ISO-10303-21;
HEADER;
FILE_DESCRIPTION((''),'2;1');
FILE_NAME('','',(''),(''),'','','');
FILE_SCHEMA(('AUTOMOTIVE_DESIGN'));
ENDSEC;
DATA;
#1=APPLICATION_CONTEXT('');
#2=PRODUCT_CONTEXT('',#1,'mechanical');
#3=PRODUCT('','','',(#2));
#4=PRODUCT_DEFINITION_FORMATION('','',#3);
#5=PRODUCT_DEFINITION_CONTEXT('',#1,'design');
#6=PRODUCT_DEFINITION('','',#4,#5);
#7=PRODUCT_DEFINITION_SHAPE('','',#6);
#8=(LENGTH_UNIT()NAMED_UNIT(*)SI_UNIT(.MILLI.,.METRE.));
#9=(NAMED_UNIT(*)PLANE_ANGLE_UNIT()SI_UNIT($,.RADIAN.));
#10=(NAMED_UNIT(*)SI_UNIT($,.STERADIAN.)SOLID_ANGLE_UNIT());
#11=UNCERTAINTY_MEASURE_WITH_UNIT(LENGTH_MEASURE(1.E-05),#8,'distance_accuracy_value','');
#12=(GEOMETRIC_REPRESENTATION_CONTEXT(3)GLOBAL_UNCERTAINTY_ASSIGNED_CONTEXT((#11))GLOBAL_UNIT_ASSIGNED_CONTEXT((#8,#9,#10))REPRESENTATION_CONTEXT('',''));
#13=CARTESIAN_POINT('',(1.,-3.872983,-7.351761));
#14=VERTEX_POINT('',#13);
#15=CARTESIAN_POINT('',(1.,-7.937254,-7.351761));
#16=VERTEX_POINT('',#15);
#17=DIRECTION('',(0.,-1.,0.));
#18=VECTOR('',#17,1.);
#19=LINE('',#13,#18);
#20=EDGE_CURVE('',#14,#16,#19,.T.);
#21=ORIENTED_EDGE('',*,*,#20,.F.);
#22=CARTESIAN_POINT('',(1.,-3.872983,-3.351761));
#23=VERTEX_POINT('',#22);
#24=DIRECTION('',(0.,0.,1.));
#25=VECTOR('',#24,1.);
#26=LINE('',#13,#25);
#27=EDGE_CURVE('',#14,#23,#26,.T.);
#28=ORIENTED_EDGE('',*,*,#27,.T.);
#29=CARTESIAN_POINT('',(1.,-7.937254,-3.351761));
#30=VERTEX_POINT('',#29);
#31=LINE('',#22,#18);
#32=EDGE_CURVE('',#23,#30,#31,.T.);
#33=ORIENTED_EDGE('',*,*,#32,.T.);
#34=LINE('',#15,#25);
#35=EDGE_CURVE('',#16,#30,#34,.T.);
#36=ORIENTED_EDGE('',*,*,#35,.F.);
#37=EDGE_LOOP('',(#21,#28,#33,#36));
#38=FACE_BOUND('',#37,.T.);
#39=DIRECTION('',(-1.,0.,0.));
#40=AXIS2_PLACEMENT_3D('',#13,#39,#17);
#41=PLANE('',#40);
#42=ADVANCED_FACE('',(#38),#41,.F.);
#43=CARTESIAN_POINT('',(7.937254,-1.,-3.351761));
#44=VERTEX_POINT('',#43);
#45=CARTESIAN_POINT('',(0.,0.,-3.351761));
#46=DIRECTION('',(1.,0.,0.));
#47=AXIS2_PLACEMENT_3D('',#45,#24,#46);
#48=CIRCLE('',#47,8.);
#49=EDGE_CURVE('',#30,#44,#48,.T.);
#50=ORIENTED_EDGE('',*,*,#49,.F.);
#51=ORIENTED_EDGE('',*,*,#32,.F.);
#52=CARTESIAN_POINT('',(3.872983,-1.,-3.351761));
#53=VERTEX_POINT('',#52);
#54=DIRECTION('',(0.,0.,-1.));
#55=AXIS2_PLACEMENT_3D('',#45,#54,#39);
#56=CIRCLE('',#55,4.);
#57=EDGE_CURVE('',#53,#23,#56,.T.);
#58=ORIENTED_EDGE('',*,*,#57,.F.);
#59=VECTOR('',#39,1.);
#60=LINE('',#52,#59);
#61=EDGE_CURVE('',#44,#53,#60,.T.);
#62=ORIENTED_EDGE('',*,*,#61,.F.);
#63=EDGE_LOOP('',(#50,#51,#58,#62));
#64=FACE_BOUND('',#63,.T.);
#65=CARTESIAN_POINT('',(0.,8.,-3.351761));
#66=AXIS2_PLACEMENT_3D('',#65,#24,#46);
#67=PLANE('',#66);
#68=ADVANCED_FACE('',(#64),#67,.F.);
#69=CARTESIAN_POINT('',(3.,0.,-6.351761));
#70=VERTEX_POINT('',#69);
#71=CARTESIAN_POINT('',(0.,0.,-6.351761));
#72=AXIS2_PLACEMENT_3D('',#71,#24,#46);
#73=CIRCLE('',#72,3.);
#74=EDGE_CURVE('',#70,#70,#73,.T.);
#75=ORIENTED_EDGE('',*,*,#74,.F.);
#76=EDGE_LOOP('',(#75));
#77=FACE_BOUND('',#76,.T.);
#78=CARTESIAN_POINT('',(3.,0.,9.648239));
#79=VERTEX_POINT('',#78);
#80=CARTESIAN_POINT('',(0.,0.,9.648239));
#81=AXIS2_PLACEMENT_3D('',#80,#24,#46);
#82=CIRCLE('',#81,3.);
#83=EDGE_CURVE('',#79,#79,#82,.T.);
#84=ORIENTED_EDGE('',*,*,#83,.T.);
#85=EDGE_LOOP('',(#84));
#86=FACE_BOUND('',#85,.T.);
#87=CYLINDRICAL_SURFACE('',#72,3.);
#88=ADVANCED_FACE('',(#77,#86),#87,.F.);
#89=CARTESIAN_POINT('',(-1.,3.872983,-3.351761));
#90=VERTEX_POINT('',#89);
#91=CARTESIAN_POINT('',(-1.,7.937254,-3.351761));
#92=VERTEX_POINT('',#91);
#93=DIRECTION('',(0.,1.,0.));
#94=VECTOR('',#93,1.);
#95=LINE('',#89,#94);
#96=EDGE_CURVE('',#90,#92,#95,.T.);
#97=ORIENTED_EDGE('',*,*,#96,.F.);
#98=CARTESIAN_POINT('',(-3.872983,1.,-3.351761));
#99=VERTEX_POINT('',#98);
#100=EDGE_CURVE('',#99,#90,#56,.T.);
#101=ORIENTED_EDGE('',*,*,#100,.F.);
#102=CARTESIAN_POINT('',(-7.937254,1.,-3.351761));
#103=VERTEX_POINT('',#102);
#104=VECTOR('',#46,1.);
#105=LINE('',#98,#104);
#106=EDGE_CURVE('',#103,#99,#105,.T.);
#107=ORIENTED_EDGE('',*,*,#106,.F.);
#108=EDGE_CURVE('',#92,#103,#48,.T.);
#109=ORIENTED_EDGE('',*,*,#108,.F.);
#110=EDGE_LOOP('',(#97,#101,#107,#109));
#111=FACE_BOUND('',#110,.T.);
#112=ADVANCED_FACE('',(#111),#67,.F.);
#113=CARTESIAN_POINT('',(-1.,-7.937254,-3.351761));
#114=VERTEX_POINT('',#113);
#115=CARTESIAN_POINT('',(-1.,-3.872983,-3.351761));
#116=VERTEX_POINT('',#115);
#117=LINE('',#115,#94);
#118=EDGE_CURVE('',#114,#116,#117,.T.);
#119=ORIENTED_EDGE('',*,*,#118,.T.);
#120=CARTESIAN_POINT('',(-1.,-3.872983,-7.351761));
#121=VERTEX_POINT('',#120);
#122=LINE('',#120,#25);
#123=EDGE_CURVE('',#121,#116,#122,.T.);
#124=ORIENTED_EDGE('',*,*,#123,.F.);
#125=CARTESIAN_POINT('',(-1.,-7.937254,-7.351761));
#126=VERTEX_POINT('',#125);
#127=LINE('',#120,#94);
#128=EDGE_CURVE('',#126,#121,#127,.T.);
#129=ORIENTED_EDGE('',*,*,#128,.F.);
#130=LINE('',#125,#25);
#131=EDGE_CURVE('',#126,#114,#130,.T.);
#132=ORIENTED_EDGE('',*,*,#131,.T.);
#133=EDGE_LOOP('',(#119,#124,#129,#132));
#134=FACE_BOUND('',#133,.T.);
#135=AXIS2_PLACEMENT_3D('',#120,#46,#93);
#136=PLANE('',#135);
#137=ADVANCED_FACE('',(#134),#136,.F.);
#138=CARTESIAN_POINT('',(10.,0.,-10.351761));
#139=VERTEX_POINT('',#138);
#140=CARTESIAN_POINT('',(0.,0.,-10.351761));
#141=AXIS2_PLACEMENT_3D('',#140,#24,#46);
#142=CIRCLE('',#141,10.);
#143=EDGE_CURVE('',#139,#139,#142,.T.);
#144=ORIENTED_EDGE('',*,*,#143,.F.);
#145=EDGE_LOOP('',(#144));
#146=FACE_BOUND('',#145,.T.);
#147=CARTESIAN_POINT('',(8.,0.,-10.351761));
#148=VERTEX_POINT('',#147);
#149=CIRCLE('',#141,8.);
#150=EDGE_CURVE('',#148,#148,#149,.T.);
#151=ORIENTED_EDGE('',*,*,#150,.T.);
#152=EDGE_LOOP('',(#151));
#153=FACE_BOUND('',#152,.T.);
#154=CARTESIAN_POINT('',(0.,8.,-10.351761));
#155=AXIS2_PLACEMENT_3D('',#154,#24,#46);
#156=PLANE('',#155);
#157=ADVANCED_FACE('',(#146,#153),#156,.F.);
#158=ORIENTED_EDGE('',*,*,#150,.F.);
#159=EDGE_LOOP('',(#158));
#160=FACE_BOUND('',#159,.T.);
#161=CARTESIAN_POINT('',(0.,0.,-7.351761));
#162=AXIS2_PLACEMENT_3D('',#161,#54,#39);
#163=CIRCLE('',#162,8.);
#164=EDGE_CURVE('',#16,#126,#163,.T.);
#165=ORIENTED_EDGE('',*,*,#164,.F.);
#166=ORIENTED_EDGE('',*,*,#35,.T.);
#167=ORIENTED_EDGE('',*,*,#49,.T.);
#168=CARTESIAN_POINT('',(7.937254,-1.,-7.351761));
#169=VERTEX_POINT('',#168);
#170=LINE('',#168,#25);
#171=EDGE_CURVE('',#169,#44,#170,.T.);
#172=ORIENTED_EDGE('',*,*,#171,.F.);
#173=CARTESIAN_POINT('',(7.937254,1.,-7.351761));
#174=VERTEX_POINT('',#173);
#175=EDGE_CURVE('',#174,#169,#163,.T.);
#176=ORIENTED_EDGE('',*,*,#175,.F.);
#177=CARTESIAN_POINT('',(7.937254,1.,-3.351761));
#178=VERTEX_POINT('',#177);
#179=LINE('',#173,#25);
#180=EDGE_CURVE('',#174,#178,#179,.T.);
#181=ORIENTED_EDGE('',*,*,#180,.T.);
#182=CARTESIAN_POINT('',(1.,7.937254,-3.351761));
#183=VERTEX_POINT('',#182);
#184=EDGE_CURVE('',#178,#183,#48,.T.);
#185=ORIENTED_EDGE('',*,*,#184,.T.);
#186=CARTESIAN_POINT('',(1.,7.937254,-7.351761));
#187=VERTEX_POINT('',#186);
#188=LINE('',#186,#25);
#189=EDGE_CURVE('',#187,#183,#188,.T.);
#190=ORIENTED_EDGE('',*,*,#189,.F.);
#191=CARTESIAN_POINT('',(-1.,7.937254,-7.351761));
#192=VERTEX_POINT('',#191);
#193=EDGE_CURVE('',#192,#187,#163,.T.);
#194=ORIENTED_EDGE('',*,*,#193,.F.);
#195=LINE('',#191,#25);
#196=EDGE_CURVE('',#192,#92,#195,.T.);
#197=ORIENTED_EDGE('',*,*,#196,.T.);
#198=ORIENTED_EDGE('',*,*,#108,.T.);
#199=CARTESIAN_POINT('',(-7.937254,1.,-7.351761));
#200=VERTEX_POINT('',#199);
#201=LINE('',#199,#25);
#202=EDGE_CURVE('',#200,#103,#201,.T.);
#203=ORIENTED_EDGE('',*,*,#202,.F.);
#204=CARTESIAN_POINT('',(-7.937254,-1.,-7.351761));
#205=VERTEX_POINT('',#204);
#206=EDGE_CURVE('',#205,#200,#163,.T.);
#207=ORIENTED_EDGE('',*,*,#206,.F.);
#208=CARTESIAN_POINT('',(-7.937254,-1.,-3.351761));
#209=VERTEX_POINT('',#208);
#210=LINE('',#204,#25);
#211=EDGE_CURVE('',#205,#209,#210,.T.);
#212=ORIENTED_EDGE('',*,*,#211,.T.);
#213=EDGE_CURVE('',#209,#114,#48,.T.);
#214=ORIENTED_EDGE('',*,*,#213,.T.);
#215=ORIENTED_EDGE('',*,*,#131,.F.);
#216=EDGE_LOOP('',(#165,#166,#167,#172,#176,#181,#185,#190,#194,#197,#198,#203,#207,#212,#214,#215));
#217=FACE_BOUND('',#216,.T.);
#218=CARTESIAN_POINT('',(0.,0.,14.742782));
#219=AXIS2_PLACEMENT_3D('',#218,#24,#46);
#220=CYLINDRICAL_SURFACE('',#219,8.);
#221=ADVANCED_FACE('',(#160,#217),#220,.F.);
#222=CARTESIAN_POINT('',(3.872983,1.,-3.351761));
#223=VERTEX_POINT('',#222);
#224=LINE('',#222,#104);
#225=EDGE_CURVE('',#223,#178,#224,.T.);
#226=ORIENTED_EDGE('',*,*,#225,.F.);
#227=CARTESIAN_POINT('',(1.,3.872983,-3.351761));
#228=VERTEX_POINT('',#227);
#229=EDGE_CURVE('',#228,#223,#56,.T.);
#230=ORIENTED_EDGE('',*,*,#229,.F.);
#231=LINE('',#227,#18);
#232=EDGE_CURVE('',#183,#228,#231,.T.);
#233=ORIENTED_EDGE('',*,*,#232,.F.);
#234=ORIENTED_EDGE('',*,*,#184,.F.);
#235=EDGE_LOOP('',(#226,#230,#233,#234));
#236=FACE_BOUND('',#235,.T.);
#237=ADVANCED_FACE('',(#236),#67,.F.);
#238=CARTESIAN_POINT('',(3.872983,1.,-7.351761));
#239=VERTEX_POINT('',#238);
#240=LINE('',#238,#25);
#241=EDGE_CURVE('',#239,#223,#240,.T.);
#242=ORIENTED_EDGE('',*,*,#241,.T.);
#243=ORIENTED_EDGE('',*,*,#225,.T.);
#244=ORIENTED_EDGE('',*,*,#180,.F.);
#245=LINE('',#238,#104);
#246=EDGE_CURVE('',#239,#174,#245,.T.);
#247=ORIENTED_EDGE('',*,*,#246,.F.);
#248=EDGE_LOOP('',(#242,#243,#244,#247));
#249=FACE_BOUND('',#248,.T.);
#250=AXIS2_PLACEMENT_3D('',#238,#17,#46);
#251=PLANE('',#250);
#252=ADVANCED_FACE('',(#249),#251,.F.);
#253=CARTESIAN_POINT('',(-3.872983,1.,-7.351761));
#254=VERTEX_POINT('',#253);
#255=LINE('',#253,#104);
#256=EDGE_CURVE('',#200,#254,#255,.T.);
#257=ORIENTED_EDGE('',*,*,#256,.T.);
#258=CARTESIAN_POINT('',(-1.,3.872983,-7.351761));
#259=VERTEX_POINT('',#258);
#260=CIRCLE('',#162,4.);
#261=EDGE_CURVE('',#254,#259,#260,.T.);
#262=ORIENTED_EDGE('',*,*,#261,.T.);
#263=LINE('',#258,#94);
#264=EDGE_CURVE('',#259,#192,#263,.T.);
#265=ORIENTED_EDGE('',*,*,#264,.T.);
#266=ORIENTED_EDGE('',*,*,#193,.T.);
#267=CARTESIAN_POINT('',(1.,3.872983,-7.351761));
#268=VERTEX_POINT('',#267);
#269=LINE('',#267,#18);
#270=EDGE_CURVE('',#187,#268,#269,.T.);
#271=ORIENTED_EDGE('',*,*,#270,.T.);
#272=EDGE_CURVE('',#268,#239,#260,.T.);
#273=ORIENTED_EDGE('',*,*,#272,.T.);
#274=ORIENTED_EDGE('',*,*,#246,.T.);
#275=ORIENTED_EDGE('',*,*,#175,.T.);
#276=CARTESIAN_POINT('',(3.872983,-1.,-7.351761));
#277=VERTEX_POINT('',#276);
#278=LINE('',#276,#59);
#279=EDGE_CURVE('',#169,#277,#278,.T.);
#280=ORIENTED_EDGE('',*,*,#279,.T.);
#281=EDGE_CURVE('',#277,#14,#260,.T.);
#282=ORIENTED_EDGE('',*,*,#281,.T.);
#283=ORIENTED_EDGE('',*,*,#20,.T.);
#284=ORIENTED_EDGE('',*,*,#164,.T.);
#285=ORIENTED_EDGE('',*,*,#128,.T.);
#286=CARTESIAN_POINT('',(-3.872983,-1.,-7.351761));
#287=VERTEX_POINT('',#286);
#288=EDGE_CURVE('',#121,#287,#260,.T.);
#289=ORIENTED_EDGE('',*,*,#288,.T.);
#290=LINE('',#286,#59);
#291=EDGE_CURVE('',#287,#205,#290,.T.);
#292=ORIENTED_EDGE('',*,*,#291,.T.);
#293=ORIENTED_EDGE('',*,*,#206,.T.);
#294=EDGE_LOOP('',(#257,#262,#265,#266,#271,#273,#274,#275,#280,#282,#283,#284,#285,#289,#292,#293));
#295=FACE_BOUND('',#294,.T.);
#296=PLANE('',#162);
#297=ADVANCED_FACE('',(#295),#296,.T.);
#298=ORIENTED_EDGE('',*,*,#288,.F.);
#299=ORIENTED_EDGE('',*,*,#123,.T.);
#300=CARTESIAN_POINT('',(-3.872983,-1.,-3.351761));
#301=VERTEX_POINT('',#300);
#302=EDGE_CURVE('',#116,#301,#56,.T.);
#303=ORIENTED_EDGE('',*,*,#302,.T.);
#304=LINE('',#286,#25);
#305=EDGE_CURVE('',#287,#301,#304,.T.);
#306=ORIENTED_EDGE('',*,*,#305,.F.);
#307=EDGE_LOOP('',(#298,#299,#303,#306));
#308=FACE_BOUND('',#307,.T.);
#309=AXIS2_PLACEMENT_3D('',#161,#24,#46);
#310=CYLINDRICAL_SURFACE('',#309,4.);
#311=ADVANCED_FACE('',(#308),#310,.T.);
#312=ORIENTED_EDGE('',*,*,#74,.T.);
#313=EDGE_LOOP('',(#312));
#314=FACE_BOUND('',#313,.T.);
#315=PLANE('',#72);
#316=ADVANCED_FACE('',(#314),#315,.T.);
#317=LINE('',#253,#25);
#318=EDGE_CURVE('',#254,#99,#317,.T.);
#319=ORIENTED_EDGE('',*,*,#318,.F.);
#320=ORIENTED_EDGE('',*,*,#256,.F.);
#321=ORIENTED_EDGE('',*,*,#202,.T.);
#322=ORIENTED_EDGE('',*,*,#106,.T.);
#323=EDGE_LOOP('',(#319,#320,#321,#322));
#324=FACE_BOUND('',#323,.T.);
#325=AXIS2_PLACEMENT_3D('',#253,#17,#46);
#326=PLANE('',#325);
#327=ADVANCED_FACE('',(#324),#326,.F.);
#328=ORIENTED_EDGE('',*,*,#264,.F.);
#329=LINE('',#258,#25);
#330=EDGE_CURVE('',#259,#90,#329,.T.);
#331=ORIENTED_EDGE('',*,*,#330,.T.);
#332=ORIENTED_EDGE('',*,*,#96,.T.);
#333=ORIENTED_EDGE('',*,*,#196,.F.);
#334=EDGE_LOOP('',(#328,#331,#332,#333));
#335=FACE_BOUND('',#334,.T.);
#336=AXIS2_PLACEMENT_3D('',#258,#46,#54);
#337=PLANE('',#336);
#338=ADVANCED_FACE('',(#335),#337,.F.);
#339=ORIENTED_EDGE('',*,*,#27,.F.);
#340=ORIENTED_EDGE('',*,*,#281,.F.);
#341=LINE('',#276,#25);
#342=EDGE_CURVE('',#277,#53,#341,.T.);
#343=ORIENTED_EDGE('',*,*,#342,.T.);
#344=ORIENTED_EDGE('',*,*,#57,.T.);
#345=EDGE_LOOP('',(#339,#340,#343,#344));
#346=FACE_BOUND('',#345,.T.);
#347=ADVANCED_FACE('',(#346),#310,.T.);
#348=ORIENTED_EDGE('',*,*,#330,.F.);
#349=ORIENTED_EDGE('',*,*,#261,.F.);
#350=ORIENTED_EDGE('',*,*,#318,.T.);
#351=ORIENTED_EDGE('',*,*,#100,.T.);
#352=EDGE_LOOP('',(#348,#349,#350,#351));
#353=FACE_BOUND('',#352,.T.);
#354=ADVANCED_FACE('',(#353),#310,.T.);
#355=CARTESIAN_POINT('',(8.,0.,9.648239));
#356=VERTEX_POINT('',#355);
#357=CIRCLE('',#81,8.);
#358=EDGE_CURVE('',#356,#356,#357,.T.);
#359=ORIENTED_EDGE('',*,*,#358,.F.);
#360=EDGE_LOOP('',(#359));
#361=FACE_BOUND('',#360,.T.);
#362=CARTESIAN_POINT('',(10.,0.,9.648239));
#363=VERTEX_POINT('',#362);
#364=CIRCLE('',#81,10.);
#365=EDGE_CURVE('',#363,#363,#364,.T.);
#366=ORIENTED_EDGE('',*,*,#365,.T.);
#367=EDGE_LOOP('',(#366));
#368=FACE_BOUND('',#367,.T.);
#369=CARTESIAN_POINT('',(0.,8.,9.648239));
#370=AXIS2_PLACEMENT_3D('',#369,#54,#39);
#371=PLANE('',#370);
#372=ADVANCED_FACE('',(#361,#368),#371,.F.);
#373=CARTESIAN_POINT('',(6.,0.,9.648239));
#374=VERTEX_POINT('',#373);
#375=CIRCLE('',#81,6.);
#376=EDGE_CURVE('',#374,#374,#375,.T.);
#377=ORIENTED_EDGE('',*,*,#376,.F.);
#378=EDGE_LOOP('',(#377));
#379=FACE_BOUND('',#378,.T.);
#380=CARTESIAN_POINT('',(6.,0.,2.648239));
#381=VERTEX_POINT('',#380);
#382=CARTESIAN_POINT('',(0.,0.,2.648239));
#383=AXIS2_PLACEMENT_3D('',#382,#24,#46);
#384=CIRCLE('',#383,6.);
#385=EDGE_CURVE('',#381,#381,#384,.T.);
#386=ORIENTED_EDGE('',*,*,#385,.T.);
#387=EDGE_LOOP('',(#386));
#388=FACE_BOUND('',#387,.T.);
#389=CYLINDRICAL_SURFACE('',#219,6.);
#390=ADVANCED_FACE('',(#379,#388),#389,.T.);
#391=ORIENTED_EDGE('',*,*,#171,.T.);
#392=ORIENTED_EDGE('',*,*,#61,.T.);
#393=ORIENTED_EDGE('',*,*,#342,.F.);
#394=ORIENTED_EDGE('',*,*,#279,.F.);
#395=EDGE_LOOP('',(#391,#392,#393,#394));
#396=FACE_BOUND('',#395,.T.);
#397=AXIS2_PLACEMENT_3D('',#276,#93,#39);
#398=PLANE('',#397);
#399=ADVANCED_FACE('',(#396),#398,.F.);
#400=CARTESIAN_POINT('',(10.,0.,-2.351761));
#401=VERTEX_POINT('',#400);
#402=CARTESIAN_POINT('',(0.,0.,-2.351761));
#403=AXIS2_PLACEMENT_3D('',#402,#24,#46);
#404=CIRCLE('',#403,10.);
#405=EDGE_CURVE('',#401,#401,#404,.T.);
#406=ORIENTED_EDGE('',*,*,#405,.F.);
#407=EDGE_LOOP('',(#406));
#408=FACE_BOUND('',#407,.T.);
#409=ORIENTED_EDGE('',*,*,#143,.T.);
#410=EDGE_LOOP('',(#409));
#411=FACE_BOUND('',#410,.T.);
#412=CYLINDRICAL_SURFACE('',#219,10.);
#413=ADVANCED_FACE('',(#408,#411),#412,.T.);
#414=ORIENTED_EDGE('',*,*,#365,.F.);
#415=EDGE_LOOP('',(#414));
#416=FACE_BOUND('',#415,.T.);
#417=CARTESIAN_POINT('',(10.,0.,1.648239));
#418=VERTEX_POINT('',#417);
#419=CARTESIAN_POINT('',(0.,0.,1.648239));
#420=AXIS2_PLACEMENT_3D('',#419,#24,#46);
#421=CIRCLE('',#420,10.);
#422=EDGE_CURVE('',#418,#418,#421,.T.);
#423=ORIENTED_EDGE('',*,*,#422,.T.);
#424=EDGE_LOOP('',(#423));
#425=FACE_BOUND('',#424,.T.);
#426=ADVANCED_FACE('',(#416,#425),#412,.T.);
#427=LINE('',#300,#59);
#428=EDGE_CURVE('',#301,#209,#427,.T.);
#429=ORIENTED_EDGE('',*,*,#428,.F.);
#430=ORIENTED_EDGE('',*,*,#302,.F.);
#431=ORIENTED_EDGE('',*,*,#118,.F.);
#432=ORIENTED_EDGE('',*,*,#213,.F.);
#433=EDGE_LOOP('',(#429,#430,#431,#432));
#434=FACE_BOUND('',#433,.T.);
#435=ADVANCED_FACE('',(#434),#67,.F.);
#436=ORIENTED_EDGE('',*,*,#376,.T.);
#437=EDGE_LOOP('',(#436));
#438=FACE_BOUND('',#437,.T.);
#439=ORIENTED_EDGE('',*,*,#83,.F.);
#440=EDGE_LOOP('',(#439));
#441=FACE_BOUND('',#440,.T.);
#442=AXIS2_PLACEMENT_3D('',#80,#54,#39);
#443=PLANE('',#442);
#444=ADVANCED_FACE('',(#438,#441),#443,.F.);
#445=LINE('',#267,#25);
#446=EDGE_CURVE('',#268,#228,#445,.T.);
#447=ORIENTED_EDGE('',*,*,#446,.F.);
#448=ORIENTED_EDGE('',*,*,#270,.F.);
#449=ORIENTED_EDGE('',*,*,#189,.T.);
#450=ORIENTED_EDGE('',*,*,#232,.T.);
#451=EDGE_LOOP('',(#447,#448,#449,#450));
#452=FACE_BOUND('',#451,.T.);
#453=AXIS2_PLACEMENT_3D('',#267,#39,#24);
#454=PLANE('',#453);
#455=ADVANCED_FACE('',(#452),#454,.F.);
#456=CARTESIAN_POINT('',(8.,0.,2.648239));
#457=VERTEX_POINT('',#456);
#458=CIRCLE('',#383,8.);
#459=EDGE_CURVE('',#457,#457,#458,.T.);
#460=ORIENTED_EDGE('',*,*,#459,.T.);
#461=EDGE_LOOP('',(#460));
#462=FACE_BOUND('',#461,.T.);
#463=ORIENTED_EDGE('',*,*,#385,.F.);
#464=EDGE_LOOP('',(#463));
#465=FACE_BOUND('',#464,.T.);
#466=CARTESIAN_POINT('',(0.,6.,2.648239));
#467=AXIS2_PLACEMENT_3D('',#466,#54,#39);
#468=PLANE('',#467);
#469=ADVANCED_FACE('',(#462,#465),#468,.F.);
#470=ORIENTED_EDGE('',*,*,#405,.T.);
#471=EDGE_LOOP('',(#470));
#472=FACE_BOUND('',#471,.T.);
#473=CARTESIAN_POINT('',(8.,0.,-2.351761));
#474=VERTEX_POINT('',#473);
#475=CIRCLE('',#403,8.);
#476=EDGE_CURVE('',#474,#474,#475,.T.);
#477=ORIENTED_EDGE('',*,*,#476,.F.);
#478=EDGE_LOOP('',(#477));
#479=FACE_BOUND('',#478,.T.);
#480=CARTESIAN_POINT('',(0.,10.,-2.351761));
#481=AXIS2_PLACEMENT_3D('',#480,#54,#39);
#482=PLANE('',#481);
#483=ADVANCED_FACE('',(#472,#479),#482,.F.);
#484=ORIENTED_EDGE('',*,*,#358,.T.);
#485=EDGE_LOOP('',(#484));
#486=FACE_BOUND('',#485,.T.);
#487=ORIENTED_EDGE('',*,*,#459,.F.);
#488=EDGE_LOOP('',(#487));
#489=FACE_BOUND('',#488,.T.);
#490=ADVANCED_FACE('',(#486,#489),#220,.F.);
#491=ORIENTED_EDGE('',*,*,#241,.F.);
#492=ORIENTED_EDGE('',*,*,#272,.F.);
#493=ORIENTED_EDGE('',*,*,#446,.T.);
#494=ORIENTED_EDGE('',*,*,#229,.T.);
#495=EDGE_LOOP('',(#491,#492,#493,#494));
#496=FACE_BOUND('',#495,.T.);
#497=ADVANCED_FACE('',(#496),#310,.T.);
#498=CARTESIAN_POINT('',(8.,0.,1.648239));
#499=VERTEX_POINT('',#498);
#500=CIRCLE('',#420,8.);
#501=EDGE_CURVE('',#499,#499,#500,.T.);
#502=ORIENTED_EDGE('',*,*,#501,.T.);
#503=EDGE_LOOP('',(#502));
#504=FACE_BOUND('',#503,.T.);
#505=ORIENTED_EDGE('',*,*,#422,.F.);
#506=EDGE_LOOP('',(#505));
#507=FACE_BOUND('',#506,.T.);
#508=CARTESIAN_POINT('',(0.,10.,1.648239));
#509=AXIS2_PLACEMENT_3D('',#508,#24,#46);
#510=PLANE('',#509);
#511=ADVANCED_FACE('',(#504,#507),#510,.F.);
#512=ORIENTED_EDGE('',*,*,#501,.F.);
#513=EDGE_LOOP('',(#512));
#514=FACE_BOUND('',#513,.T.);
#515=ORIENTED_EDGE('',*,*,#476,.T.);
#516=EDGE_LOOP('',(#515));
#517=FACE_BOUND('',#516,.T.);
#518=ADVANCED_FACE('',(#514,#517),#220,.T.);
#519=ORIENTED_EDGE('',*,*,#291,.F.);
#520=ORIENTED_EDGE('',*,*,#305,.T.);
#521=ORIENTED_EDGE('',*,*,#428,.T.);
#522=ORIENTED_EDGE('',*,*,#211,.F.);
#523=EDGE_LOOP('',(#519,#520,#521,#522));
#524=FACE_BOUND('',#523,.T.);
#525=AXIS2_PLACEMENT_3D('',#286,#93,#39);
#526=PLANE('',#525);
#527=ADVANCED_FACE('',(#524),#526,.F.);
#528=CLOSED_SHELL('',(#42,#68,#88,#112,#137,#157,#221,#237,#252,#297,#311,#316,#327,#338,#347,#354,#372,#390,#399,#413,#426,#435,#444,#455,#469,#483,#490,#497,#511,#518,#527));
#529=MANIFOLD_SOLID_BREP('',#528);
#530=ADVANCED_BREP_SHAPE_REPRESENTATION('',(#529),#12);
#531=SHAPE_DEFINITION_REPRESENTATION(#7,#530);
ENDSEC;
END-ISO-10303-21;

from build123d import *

# Parameters (mm, degrees)
BOSS_EXTRUDE1_DEPTH = 2
SKETCH4_R           = 1.5
CUT_EXTRUDE1_DEPTH  = 8
SCALE1_SCALE        = 2


with BuildPart() as part:
    # Sketch2 → Revolve1 (revolve)
    with BuildSketch(Plane(origin=(0, 0, 0), x_dir=(0, 0, -1), z_dir=(1, 0, 0))):
        Polygon((0, 0), (-5, 0), (-5, 3), (-1.5, 3), (-1.5, 4), (-5, 4), (-5, 5), (-1, 5), (-1, 4), (1, 4), (1, 5), (5, 5), (5, 4), (1.5, 4), (1.5, 0), align=None)
    revolve(axis=Axis((0, 0, 7.547271319), (0, 0, -1)))

    # Sketch3 → Boss-Extrude1 (add)
    with BuildSketch(Plane(origin=(0, 0, -1.5), x_dir=(-1, 0, 0), z_dir=(0, 0, -1))):
        with BuildLine():
            Line((0.5, 1.936491673), (0.5, 3.968626967))
            ThreePointArc((0.5, 3.968626967), (0, 4), (-0.5, 3.968626967))
            Line((-0.5, 3.968626967), (-0.5, 1.936491673))
            ThreePointArc((-0.5, 1.936491673), (-1.414213562, 1.414213562), (-1.936491673, 0.5))
            Line((-1.936491673, 0.5), (-3.968626967, 0.5))
            ThreePointArc((-3.968626967, 0.5), (-4, 0), (-3.968626967, -0.5))
            Line((-3.968626967, -0.5), (-1.936491673, -0.5))
            ThreePointArc((-1.936491673, -0.5), (-1.414213562, -1.414213562), (-0.5, -1.936491673))
            Line((-0.5, -1.936491673), (-0.5, -3.968626967))
            ThreePointArc((-0.5, -3.968626967), (0, -4), (0.5, -3.968626967))
            Line((0.5, -3.968626967), (0.5, -1.936491673))
            ThreePointArc((0.5, -1.936491673), (1.414213562, -1.414213562), (1.936491673, -0.5))
            Line((1.936491673, -0.5), (3.968626967, -0.5))
            ThreePointArc((3.968626967, -0.5), (4, 0), (3.968626967, 0.5))
            Line((3.968626967, 0.5), (1.936491673, 0.5))
            ThreePointArc((1.936491673, 0.5), (1.414213562, 1.414213562), (0.5, 1.936491673))
        make_face()
    extrude(amount=BOSS_EXTRUDE1_DEPTH)

    # Sketch4 → Cut-Extrude1 (cut)
    with BuildSketch(Plane.XY.offset(5)):
        Circle(SKETCH4_R)
    extrude(amount=-CUT_EXTRUDE1_DEPTH, mode=Mode.SUBTRACT)


with BuildPart() as part_1:
    # Scale1: scaled about (0, 0, 0.351761007)
    add(part.part.scale(SCALE1_SCALE).moved(Location((0, 0, -0.351761007))))


solid = part_1.part
